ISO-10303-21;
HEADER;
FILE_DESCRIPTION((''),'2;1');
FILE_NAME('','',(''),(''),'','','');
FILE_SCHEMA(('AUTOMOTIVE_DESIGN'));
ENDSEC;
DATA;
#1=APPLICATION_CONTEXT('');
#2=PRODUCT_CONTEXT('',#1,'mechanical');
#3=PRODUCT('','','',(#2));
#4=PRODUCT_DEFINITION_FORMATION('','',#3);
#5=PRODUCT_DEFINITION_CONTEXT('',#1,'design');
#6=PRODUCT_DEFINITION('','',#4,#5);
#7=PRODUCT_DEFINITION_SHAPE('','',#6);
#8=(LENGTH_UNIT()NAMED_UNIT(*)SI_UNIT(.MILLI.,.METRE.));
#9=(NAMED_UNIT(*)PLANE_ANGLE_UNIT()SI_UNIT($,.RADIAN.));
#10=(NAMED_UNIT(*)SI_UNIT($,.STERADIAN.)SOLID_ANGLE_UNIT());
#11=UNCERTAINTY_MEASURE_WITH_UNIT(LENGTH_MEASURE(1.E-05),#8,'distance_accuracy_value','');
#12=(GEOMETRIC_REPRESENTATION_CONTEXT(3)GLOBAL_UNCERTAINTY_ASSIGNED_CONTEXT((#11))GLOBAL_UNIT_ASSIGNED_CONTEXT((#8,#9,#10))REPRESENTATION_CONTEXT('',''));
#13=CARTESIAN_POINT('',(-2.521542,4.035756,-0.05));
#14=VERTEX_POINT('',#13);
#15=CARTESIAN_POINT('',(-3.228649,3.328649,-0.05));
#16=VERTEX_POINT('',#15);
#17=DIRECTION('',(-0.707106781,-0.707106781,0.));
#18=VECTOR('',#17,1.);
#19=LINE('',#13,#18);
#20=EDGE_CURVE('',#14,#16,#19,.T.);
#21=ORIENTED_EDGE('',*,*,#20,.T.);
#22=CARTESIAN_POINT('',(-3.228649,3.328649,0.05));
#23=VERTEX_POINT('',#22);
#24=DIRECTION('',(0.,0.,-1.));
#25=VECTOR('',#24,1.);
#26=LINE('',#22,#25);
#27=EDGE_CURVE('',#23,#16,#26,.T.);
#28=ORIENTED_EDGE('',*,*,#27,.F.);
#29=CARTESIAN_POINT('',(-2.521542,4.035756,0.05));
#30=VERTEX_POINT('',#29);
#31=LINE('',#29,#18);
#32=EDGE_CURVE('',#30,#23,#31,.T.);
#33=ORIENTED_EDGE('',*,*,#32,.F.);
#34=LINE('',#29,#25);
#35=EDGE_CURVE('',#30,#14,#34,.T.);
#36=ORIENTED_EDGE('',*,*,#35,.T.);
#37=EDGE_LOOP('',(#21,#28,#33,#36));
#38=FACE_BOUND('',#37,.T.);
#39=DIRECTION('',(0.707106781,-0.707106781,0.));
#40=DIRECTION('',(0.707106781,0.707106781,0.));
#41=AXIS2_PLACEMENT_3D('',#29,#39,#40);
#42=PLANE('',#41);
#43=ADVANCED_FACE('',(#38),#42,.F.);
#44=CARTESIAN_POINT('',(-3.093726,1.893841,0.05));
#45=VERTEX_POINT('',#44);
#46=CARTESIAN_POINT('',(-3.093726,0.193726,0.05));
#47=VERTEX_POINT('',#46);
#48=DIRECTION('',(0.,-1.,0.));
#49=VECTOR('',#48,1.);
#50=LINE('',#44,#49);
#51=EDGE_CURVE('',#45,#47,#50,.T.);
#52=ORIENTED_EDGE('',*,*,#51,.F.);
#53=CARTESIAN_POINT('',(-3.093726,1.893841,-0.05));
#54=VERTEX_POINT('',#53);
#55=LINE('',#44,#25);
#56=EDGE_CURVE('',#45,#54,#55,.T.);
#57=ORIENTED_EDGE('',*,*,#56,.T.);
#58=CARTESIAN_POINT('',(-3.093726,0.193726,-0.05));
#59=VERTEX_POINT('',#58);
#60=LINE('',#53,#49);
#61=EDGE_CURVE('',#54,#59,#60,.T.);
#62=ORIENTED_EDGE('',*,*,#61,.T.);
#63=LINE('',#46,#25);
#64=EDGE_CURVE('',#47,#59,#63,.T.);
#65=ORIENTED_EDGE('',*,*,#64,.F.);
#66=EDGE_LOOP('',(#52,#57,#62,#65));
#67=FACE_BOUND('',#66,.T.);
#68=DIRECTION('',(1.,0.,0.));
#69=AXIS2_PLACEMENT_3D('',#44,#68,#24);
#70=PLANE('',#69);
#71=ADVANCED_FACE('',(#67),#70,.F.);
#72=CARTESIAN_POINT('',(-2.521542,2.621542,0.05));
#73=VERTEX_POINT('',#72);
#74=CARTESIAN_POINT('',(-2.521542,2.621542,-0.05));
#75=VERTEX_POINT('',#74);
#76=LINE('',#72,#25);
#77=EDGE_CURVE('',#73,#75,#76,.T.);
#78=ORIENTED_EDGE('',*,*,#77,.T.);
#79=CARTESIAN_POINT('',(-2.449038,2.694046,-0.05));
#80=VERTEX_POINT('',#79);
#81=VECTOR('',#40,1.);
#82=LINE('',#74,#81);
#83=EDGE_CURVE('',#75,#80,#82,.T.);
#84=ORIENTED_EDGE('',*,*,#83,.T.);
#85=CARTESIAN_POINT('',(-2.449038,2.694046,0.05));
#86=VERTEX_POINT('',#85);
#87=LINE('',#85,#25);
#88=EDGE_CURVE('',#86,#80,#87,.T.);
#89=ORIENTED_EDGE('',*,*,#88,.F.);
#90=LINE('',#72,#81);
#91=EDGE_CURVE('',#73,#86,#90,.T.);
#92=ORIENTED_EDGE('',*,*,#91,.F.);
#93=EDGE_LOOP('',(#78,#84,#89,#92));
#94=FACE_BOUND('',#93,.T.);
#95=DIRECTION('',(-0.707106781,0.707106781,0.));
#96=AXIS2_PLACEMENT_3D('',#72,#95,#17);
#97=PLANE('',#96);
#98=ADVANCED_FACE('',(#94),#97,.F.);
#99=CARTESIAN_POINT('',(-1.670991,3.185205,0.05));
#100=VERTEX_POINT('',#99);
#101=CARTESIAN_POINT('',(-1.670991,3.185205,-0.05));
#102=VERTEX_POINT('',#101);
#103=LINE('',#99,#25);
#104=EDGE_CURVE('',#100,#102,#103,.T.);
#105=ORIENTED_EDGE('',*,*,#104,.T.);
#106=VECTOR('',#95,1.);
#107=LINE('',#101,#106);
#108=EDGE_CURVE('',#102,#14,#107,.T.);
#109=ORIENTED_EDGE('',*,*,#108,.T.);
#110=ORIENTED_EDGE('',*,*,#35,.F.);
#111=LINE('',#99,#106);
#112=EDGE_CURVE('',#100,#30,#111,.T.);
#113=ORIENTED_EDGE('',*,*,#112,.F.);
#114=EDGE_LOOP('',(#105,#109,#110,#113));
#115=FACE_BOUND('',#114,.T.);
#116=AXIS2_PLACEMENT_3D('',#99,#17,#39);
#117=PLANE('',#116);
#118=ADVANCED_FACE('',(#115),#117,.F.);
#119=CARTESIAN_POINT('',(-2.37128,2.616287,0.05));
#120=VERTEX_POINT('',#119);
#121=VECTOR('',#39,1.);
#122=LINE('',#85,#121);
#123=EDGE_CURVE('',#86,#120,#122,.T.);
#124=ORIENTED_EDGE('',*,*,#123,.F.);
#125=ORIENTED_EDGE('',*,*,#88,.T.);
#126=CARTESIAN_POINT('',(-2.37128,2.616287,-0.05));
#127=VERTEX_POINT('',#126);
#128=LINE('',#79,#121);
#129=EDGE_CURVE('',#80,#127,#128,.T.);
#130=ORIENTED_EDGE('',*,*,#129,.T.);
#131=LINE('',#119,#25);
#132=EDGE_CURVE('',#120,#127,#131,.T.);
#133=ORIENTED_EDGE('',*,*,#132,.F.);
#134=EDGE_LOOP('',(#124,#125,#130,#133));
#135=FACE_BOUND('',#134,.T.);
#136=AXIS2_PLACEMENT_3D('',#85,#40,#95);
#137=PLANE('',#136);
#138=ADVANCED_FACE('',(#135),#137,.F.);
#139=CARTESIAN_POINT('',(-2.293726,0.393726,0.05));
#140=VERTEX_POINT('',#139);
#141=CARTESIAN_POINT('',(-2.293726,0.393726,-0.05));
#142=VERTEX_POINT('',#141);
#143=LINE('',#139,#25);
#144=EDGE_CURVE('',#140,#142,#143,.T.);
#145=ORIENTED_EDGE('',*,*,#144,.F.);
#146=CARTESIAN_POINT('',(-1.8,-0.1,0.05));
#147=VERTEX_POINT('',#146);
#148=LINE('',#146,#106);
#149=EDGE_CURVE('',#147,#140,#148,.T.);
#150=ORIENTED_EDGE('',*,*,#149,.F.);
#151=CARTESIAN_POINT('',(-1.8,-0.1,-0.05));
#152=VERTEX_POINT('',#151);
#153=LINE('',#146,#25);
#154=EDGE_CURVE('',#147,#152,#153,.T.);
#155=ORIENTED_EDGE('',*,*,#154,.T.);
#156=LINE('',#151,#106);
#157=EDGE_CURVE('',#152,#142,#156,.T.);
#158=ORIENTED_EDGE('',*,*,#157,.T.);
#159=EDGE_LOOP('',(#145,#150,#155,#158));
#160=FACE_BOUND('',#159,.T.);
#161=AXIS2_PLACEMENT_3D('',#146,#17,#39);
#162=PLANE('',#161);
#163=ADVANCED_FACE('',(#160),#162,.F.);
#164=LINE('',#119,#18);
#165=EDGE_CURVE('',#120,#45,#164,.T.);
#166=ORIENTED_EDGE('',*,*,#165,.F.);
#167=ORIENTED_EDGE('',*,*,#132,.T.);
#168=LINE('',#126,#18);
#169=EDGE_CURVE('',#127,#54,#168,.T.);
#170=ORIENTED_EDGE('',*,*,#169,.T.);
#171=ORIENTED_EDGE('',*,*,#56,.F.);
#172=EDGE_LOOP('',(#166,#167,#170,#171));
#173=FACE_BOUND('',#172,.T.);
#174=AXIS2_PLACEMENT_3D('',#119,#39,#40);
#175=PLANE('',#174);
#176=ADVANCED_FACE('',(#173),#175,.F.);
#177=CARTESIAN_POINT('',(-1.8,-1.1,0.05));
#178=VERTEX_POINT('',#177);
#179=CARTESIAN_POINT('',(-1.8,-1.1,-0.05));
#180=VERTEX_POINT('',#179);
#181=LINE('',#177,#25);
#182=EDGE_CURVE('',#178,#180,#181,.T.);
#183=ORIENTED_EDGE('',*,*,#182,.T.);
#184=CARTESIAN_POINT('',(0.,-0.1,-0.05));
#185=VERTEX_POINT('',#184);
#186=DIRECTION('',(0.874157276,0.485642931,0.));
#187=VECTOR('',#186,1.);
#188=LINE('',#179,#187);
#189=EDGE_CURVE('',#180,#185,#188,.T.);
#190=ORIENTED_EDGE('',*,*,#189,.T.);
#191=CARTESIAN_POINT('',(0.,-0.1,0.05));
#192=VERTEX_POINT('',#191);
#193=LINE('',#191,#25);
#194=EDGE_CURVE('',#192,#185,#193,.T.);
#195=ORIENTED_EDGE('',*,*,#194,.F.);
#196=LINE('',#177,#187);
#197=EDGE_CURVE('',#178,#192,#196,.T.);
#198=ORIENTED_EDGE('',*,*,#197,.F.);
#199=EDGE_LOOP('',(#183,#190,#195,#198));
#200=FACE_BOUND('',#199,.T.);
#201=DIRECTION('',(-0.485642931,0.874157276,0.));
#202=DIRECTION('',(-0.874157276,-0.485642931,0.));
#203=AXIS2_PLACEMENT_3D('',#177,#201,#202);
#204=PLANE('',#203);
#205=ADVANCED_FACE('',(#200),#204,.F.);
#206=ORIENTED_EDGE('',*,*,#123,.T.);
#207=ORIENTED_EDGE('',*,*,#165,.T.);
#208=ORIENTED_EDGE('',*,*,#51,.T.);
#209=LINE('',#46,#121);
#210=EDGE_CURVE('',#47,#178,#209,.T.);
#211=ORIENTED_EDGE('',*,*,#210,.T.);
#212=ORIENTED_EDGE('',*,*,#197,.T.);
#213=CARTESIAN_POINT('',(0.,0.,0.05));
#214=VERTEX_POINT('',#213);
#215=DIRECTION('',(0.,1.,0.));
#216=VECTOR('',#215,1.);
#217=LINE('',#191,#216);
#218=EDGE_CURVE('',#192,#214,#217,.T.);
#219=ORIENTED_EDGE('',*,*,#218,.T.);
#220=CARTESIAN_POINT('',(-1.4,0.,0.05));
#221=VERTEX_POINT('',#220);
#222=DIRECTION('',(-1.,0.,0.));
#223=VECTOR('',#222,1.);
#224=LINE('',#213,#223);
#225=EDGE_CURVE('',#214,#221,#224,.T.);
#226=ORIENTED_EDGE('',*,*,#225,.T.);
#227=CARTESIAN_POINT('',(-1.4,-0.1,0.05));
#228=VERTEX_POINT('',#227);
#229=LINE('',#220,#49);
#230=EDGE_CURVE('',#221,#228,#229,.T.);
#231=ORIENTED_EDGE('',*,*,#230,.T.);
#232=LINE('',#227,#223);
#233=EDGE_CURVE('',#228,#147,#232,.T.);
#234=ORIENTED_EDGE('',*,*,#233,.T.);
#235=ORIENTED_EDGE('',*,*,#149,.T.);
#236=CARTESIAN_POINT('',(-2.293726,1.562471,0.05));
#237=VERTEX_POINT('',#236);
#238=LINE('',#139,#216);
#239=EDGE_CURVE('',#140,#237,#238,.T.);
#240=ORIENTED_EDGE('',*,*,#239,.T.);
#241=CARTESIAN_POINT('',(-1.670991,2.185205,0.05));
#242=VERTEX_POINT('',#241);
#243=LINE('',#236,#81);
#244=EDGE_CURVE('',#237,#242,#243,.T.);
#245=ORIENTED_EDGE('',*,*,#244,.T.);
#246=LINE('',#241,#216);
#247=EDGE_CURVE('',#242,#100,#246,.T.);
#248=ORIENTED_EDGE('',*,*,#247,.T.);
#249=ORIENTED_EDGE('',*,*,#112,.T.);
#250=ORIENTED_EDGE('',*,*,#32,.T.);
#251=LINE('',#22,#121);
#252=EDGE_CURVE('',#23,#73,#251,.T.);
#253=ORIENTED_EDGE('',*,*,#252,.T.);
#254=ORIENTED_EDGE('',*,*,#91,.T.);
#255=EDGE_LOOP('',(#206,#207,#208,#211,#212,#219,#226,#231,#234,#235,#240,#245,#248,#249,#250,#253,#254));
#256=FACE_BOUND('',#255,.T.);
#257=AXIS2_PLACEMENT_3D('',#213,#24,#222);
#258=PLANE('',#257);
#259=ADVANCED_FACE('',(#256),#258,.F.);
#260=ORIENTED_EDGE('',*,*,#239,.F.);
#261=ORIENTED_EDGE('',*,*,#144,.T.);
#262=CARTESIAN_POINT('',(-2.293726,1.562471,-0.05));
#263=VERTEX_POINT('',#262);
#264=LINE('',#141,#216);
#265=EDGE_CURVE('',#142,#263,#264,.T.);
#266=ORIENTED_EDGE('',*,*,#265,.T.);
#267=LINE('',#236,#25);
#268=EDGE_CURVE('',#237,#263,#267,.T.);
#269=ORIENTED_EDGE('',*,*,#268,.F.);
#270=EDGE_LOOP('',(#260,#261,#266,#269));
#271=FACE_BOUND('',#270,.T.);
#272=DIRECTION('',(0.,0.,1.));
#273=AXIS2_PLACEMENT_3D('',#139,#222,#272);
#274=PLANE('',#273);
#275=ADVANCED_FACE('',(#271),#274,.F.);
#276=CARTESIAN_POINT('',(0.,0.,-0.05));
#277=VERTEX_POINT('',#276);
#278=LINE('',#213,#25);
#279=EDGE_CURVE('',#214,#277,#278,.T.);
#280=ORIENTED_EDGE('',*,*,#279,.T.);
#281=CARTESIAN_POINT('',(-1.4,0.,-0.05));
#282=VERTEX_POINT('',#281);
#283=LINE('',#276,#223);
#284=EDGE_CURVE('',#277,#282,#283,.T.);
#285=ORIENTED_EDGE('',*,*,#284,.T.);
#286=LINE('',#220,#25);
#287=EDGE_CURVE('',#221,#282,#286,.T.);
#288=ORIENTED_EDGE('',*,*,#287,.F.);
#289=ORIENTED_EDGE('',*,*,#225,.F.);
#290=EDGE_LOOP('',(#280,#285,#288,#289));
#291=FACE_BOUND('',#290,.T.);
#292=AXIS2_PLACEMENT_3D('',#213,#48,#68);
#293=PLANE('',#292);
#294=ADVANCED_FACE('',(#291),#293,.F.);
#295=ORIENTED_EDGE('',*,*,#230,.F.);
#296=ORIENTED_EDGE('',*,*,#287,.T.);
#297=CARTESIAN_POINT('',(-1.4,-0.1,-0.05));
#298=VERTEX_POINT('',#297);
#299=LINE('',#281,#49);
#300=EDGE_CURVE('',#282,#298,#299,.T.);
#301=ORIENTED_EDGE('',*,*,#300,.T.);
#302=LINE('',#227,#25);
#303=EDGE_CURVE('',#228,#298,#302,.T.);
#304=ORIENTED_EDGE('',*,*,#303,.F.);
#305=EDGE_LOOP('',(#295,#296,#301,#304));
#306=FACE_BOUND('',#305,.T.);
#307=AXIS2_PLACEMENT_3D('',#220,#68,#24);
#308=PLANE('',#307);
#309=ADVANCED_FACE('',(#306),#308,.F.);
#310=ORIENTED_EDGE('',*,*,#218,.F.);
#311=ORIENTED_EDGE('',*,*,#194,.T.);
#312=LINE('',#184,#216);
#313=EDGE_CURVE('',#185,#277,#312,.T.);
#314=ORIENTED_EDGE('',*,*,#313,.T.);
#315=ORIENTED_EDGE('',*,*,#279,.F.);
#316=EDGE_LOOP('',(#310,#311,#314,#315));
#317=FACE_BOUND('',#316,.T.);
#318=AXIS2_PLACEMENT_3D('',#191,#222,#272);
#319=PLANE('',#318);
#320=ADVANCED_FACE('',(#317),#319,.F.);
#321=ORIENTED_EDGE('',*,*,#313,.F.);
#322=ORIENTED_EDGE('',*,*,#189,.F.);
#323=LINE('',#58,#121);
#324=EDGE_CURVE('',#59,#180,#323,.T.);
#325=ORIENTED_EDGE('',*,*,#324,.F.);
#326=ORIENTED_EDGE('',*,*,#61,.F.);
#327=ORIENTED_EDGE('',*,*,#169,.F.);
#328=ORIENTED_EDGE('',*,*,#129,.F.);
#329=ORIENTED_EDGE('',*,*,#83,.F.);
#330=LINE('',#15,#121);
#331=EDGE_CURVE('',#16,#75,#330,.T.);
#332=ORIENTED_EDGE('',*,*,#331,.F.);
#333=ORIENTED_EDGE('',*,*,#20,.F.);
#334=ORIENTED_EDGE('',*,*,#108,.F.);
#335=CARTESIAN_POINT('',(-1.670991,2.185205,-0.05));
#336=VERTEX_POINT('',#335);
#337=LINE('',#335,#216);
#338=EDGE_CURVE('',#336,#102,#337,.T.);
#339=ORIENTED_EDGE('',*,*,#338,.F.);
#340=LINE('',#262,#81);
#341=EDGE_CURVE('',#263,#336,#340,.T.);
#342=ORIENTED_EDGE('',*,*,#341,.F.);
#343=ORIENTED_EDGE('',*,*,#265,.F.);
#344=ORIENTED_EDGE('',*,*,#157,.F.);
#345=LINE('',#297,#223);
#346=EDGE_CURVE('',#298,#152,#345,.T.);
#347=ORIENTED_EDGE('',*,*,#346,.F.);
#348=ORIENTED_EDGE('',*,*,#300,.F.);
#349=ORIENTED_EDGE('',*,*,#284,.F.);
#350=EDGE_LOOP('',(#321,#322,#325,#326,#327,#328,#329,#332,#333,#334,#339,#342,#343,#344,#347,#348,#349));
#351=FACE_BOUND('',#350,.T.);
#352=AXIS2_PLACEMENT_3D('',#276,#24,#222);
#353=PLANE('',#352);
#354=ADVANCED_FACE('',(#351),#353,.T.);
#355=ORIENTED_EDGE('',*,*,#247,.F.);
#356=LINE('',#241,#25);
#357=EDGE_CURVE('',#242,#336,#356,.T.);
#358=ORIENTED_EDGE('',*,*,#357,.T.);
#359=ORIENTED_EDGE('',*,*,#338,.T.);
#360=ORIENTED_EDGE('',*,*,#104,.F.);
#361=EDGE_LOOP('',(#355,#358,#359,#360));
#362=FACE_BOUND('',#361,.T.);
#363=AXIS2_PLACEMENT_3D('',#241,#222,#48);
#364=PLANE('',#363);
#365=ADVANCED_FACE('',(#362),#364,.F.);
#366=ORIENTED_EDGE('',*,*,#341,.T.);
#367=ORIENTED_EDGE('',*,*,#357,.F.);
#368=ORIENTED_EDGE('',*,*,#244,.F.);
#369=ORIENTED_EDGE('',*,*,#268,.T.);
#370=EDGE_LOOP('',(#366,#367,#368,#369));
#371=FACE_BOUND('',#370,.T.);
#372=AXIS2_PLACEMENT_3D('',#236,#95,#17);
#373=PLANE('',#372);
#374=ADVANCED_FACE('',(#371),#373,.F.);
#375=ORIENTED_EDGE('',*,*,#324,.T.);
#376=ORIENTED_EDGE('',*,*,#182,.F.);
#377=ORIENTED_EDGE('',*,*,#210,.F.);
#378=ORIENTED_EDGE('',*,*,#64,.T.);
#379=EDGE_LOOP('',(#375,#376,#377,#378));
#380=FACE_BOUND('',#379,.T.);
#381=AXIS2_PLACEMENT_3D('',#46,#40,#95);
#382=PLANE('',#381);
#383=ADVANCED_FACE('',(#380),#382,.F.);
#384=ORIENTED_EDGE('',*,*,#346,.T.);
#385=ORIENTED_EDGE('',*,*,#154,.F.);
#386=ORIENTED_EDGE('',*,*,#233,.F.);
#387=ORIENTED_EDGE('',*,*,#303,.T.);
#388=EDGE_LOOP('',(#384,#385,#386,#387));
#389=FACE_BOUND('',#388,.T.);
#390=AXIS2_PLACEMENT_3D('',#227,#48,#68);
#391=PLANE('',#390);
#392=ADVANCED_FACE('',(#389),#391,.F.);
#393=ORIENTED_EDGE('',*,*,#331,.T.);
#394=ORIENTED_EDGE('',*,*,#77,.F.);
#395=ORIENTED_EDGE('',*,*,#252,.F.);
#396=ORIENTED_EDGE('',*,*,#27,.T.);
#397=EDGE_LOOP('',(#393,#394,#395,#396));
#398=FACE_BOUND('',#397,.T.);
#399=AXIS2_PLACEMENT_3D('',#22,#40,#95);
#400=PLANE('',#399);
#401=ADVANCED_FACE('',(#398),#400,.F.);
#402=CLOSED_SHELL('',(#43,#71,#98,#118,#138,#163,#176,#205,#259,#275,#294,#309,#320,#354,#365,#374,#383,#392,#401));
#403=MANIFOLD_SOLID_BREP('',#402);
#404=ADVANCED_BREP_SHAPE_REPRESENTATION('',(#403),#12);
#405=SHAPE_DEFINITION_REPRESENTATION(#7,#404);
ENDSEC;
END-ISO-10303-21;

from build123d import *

# Parameters (mm, degrees)
BOSS_EXTRUDE1_DEPTH = 0.05


with BuildPart() as part:
    # Sketch1 → Boss-Extrude1 (new, symmetric)
    with BuildSketch(Plane.XY):
        Polygon((0, 0), (-1.4, 0), (-1.4, -0.1), (-1.8, -0.1), (-2.293725624, 0.393725624), (-2.293725624, 1.562470542), (-1.670991302, 2.185204865), (-1.670991302, 3.185204865), (-2.521542086, 4.035755648), (-3.228648867, 3.328648867), (-2.521542086, 2.621542086), (-2.449038167, 2.694046004), (-2.37127959, 2.616287427), (-3.093725624, 1.893841392), (-3.093725624, 0.193725624), (-1.8, -1.1), (0, -0.1), align=None)
    extrude(amount=BOSS_EXTRUDE1_DEPTH, both=True)


solid = part.part
